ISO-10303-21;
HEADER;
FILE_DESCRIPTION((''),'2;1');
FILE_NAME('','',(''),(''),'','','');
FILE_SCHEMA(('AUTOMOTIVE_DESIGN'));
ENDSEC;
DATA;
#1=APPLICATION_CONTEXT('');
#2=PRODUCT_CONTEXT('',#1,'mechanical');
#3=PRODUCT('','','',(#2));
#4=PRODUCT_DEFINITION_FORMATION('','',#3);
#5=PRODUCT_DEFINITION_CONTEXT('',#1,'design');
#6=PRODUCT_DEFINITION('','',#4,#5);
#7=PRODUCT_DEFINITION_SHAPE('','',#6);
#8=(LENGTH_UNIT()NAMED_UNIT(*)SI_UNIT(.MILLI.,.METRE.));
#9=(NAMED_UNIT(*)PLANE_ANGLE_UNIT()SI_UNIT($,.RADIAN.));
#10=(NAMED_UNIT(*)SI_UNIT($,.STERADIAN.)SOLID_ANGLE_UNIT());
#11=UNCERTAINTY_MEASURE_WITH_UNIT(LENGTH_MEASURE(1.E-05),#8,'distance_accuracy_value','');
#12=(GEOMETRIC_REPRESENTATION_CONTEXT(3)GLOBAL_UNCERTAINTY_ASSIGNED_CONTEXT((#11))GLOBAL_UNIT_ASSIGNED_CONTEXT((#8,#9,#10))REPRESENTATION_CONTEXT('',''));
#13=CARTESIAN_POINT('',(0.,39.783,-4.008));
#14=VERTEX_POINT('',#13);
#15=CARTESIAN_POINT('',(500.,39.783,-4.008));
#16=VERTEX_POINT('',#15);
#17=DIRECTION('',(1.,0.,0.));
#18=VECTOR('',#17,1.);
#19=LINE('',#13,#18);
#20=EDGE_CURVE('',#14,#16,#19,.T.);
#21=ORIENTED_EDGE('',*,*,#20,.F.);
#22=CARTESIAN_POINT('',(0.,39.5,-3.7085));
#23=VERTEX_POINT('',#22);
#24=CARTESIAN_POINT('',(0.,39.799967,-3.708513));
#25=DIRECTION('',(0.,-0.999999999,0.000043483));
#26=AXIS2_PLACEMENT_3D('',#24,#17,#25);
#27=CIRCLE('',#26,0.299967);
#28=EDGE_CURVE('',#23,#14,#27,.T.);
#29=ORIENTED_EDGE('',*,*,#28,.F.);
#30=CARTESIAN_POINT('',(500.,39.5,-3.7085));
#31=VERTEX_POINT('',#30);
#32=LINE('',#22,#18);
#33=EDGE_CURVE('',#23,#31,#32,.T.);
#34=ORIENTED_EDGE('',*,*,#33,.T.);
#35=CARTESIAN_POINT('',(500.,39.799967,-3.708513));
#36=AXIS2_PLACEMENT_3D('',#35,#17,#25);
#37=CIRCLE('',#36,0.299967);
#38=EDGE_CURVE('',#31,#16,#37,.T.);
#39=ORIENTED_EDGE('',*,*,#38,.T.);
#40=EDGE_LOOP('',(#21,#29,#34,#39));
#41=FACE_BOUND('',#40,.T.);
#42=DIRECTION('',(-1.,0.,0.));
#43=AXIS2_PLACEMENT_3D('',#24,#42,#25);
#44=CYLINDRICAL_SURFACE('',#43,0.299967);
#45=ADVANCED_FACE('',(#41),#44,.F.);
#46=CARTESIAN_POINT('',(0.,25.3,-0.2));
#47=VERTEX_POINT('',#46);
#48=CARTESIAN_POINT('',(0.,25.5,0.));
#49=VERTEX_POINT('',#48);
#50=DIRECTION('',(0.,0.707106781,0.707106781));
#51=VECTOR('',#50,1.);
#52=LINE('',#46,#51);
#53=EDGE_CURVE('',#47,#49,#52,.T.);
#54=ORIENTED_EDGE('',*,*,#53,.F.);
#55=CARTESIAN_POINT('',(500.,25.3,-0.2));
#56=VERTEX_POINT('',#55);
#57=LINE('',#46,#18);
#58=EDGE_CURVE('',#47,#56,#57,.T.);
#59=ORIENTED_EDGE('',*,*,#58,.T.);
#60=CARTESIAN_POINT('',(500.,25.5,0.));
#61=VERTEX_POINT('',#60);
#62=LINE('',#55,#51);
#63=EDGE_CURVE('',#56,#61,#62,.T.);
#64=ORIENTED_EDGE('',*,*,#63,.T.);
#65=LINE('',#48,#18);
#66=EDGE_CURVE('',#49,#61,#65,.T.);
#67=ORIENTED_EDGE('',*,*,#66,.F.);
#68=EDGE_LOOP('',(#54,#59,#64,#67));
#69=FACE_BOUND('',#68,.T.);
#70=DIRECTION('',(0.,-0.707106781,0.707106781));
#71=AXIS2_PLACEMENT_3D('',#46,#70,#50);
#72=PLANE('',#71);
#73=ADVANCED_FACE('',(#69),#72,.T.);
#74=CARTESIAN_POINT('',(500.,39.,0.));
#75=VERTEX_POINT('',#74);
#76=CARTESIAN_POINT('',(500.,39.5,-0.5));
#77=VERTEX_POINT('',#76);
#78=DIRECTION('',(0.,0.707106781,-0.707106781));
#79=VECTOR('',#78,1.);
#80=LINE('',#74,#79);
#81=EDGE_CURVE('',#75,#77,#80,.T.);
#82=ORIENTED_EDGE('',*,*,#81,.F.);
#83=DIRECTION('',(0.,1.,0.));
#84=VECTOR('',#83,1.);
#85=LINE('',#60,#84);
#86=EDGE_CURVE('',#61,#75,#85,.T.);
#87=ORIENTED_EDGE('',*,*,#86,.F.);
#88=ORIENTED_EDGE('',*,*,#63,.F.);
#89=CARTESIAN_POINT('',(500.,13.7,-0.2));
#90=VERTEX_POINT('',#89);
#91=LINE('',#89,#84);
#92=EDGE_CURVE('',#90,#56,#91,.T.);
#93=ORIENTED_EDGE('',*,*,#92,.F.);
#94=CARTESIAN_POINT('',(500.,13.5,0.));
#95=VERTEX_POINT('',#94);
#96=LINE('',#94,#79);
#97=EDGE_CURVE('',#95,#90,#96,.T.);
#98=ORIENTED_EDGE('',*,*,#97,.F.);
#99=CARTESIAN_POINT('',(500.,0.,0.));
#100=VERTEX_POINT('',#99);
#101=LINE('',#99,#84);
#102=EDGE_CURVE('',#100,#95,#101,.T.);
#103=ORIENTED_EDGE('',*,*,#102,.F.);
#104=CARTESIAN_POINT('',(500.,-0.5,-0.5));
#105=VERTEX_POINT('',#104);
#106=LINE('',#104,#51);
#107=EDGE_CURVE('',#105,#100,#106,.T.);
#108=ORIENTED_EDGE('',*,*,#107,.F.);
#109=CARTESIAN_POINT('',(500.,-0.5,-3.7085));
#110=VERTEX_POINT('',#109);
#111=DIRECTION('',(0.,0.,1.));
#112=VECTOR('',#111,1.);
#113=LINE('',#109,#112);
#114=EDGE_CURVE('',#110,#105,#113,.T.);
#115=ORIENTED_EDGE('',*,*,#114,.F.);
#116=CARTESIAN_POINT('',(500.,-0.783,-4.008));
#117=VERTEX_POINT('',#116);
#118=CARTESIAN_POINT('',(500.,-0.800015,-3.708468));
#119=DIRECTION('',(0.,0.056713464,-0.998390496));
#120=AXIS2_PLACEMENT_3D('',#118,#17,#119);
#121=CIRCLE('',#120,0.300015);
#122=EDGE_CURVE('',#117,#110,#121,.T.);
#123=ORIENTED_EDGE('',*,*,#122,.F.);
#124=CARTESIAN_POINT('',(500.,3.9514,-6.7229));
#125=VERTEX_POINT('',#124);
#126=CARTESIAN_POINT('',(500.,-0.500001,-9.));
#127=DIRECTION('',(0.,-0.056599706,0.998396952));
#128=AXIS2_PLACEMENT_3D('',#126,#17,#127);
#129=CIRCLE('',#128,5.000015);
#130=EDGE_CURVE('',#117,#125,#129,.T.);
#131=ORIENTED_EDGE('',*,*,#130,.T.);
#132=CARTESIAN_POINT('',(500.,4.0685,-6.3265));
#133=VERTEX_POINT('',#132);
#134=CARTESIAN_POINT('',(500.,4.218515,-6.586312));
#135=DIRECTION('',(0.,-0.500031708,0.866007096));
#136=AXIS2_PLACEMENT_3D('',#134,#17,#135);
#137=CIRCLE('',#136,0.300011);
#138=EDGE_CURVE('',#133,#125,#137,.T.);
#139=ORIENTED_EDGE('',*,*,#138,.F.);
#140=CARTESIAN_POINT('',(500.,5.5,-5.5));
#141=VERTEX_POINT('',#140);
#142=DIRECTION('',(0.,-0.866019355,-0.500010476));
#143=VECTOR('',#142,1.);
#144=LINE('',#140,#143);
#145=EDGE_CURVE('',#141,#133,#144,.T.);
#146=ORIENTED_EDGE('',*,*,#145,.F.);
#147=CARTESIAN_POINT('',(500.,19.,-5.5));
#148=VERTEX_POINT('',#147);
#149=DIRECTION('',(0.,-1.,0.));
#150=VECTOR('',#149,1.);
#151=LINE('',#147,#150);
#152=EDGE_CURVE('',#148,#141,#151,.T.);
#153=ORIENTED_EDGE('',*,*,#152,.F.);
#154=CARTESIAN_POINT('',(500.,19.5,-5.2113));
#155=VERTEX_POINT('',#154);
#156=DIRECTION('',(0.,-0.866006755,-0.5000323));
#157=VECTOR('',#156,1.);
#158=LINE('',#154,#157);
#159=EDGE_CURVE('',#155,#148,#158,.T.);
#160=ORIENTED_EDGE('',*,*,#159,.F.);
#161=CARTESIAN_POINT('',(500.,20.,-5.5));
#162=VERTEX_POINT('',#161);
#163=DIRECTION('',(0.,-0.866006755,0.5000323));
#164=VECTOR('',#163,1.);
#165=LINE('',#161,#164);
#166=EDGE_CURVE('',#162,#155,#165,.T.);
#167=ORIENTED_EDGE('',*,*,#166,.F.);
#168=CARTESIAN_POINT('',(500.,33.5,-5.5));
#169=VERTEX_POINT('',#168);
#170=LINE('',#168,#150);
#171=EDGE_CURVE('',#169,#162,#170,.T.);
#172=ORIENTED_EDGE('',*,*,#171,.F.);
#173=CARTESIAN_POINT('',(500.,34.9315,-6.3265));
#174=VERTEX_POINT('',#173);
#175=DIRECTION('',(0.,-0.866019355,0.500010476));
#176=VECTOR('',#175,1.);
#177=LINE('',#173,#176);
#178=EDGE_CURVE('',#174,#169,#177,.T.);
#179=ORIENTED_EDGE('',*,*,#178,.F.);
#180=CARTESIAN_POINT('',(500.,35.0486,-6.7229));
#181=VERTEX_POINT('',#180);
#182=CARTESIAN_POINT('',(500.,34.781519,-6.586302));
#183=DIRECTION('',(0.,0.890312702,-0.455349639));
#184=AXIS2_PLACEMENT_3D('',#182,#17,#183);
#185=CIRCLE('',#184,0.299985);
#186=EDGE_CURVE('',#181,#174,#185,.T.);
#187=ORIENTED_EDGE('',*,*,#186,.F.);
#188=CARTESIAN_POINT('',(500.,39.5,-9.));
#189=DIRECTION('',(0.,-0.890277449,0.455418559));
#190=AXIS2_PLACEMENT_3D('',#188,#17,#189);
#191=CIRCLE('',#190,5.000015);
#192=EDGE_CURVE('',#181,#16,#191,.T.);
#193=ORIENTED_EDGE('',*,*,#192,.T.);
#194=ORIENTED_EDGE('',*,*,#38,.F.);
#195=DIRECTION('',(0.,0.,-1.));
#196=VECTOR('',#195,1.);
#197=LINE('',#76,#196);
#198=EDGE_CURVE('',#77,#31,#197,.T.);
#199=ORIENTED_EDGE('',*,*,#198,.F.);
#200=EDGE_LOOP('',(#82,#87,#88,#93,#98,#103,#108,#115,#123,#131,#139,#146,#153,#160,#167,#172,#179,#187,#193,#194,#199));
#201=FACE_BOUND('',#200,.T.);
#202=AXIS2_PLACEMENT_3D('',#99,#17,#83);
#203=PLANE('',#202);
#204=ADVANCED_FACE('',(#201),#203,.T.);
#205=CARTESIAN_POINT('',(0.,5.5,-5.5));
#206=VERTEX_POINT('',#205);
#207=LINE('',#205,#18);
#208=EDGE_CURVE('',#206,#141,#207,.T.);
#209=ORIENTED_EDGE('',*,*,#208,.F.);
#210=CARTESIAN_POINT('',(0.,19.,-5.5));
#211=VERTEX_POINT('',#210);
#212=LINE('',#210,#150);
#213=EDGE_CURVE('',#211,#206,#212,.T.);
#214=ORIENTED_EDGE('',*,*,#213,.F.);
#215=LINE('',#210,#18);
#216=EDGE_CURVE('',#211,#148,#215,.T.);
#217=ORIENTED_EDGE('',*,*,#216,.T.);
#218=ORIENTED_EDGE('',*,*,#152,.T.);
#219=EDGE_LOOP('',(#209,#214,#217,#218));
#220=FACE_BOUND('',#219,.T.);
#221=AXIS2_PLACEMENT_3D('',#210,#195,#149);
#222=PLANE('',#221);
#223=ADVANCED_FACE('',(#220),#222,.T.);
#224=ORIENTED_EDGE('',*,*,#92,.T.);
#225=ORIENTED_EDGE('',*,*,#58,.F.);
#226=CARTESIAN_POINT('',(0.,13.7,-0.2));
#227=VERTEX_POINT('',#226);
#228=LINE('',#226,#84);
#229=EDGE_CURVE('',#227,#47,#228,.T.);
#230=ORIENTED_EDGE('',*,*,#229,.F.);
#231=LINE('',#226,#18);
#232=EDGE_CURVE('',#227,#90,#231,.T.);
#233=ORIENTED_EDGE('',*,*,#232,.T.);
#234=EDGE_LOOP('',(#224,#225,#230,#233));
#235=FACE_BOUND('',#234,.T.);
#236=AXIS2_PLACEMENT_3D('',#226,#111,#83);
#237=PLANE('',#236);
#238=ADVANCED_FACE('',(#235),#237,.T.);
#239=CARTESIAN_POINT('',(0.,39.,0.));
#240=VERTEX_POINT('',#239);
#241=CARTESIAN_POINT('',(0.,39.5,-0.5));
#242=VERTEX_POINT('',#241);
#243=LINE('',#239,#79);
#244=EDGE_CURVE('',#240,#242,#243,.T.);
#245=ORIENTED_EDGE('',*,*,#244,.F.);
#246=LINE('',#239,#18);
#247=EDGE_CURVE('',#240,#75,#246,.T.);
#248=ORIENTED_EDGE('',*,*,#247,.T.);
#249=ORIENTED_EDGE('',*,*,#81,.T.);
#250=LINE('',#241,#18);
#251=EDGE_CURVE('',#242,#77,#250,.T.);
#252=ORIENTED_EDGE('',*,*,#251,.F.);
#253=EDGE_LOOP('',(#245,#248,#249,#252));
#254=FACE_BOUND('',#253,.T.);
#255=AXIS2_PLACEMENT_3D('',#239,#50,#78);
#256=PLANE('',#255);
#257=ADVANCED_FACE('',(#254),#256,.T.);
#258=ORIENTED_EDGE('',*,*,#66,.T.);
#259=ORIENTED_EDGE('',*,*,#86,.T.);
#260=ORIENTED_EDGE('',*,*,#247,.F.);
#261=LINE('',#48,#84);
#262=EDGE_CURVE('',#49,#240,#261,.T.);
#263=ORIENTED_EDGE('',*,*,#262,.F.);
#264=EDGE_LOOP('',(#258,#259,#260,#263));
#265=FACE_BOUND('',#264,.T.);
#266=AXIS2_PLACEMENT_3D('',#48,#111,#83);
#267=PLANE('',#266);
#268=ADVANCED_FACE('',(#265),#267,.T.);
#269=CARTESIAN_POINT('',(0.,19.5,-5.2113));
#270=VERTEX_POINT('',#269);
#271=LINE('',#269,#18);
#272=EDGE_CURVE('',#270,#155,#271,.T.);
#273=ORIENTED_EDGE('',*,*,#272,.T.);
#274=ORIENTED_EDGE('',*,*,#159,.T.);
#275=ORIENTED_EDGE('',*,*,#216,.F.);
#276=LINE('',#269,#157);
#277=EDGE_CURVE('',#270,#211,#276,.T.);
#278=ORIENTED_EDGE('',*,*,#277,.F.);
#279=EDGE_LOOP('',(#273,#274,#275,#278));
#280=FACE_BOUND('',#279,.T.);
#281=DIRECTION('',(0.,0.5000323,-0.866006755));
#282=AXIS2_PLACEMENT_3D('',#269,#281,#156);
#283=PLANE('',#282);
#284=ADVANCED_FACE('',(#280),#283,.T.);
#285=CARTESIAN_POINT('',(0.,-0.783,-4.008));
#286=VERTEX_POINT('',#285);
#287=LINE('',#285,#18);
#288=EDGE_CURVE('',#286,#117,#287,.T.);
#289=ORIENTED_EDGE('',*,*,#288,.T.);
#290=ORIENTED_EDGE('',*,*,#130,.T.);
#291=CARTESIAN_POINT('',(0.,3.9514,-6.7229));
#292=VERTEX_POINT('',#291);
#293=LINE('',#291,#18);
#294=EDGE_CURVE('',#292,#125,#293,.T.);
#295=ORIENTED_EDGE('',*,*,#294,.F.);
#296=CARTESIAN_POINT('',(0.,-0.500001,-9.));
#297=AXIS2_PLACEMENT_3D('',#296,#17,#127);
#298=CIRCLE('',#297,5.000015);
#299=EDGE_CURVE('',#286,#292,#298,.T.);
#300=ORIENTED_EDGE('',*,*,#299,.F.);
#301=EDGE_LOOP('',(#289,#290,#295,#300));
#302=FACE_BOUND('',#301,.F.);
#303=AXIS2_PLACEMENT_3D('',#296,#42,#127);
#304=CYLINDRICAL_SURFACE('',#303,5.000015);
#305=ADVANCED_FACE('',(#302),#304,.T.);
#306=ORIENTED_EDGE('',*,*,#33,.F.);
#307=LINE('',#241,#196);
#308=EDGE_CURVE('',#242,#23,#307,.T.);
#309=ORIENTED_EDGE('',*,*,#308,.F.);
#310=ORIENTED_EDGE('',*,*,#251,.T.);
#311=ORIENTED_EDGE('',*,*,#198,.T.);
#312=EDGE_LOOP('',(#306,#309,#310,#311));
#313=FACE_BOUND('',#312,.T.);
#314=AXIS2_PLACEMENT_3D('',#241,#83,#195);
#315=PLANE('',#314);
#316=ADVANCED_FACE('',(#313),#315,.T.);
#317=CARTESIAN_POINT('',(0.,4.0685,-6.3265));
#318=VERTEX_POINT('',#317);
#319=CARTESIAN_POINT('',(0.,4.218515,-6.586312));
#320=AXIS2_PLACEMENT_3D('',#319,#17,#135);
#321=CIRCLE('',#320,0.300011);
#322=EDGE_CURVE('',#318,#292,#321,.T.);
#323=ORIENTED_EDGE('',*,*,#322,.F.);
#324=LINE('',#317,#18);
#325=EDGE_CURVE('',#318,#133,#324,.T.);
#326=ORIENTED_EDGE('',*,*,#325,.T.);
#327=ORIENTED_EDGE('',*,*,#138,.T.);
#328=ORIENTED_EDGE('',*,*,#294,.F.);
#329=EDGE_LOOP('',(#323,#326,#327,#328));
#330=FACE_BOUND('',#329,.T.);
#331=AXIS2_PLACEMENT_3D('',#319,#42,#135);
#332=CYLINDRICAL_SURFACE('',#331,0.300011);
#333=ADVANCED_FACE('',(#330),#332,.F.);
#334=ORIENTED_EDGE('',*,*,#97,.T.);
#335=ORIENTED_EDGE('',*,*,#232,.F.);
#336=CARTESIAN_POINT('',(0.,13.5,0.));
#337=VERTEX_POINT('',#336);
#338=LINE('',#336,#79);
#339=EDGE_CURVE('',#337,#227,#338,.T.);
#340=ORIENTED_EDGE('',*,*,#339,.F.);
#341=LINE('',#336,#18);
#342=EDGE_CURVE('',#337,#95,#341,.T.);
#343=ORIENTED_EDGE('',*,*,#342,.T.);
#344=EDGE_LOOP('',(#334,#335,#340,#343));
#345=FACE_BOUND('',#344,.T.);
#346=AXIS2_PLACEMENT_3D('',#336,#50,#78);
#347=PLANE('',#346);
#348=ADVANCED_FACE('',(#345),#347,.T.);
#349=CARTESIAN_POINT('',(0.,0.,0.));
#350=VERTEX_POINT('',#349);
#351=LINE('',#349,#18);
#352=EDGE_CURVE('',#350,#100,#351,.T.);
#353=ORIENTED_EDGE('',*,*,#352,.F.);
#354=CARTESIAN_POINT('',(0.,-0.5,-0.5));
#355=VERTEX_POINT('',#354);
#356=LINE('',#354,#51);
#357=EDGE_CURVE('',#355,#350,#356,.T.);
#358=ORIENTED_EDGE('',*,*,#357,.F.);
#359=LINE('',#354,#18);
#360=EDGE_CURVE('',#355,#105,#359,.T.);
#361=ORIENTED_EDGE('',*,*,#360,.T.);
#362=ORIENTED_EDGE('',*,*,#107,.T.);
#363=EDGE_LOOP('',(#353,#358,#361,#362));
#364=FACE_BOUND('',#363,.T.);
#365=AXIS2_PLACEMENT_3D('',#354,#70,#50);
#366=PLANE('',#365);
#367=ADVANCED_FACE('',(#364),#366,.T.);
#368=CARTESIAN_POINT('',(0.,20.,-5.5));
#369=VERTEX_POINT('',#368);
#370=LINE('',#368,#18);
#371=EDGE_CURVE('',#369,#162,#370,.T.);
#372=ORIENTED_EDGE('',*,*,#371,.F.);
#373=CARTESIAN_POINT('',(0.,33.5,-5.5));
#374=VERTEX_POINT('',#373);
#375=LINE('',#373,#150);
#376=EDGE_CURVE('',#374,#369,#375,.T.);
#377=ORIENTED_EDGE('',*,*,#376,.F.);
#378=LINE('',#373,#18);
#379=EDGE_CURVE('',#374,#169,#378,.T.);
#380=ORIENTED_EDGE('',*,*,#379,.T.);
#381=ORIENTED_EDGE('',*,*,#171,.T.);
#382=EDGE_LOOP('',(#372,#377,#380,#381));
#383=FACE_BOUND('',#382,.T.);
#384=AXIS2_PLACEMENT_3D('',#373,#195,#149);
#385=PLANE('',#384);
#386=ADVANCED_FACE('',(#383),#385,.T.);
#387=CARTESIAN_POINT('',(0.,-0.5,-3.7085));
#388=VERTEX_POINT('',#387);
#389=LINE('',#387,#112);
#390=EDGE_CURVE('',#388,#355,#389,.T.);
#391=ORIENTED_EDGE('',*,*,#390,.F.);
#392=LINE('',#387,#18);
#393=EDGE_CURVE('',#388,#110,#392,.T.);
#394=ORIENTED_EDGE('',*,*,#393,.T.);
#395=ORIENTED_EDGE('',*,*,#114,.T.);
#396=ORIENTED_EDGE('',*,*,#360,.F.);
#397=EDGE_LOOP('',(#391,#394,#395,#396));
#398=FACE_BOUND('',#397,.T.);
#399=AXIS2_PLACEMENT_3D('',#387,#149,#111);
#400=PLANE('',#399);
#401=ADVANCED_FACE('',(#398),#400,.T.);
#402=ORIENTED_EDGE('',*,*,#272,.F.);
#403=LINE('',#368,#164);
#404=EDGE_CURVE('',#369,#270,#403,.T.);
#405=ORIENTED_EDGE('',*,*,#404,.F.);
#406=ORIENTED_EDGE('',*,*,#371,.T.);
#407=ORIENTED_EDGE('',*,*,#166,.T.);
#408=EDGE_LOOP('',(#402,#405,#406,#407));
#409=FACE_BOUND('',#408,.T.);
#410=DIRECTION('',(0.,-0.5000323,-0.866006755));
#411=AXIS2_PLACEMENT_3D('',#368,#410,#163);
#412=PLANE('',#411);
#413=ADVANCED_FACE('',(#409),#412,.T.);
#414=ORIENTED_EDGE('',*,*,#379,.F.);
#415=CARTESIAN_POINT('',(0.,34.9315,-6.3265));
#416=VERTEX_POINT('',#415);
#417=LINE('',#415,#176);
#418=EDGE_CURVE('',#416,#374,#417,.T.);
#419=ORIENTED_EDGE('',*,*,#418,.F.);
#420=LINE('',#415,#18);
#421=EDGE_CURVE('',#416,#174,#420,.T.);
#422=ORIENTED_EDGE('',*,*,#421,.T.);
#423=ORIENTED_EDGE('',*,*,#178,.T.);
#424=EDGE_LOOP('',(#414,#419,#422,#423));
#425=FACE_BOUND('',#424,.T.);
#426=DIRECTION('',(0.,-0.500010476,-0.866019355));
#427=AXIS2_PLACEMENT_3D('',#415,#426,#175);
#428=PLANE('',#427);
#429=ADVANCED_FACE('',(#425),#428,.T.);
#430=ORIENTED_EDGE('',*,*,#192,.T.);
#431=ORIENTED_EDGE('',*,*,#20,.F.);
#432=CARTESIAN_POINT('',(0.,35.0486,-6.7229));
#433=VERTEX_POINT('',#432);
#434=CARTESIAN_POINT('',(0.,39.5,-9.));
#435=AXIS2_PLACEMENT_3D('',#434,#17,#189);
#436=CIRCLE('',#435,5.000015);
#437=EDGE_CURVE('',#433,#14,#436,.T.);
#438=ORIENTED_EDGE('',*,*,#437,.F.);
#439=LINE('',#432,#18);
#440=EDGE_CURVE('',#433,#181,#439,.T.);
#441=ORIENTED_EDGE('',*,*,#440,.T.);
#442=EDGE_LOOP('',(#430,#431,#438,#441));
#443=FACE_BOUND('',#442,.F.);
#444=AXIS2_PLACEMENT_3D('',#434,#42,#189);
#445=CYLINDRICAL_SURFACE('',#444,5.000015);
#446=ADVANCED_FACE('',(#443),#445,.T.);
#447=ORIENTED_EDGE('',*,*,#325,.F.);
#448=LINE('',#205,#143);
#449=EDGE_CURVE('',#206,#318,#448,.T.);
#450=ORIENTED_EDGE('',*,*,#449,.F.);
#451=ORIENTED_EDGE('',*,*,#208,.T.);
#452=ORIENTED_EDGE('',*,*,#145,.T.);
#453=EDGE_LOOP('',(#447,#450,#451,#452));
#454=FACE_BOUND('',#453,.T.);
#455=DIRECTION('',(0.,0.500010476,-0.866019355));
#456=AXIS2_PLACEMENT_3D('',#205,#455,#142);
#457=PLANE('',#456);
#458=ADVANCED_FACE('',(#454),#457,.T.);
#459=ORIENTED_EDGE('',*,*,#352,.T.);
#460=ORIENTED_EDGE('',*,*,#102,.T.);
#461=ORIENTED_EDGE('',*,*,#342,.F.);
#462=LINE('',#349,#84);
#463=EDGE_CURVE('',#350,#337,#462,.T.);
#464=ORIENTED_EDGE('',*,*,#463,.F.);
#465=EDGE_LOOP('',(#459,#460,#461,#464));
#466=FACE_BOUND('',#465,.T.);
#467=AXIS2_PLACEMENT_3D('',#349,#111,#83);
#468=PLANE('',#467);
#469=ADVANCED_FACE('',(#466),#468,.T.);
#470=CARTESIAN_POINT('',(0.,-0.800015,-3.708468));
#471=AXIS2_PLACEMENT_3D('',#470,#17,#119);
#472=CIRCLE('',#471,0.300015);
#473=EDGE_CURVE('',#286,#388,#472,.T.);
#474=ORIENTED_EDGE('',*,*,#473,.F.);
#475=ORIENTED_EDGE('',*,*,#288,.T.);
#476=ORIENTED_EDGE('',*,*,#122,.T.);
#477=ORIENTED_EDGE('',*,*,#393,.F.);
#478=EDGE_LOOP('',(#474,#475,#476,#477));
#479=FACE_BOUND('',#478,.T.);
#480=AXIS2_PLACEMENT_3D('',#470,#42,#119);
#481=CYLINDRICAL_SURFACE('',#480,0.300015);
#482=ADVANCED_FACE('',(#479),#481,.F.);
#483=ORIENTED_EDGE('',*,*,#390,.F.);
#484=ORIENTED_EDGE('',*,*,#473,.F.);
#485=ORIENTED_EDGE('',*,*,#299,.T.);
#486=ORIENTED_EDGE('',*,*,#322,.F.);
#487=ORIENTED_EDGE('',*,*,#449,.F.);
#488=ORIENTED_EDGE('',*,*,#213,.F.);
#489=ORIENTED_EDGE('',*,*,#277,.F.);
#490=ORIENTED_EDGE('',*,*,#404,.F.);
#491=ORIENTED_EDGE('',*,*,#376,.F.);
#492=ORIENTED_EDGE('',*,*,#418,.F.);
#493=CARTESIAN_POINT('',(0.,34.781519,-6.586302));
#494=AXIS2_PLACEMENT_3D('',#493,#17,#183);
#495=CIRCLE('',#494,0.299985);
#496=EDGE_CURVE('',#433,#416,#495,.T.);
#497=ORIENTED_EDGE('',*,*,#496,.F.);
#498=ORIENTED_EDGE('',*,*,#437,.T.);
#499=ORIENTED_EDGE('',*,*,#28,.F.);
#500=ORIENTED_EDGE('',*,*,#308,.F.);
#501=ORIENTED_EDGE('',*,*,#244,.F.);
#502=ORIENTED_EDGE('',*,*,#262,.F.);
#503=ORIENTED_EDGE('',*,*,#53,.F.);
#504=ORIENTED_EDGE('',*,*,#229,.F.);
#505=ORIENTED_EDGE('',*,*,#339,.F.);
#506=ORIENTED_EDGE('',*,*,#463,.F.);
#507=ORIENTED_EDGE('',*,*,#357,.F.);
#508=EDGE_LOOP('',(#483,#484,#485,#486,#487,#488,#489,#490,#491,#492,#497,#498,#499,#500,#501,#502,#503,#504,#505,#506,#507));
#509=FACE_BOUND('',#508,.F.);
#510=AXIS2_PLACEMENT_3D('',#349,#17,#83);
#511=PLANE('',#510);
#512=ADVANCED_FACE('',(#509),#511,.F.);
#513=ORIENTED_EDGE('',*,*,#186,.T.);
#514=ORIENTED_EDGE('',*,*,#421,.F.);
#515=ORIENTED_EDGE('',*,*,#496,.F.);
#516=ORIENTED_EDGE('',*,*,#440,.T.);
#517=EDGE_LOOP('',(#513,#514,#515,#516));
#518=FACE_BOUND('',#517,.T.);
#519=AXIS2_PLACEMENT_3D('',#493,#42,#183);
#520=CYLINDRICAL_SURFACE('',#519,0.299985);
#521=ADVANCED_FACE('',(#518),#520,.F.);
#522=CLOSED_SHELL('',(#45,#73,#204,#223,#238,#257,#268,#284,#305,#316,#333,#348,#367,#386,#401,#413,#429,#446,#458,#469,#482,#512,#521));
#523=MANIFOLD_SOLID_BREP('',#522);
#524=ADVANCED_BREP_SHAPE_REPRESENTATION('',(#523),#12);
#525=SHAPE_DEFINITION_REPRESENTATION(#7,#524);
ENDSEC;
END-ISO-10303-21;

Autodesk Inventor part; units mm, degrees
ref_plane "YZ Plane" through (0, 0, 0) normal (1, 0, 0) x (0, 1, 0)
ref_plane "XZ Plane" through (0, 0, 0) normal (0, 1, 0) x (-1, 0, 0)
ref_plane "XY Plane" through (0, 0, 0) normal (0, 0, 1) x (1, 0, 0)
sketch "Szkic1" plane through (0, 0, 0) normal (1, 0, 0) x (0, 1, 0)
  line L0 (13.7, -0.2) -> (25.3, -0.2)
  line L1 (13.5, 0) -> (13.7, -0.2)
  line L2 (0, 0) -> (13.5, 0)
  line L3 (-0.5, -0.5) -> (0, 0)
  line L4 (-0.5, -3.7085) -> (-0.5, -0.5)
  arc A0 (-0.783, -4.008) -> (-0.5, -3.7085) centre (-0.8, -3.7085) ccw
  arc A1 (-0.783, -4.008) -> (3.9514, -6.7229) centre (-0.5, -9) ccw
  arc A2 (4.0685, -6.3265) -> (3.9514, -6.7229) centre (4.2185, -6.5863) ccw
  line L5 (5.5, -5.5) -> (4.0685, -6.3265)
  line L6 (19, -5.5) -> (5.5, -5.5)
  line L7 (19.5, -5.2113) -> (19, -5.5)
  line L8 (20, -5.5) -> (19.5, -5.2113)
  line L9 (33.5, -5.5) -> (20, -5.5)
  line L10 (34.9315, -6.3265) -> (33.5, -5.5)
  arc A3 (35.0486, -6.7229) -> (34.9315, -6.3265) centre (34.7815, -6.5863) ccw
  arc A4 (35.0486, -6.7229) -> (39.783, -4.008) centre (39.5, -9) ccw
  arc A5 (39.5, -3.7085) -> (39.783, -4.008) centre (39.8, -3.7085) ccw
  line L11 (39.5, -0.5) -> (39.5, -3.7085)
  line L12 (39, 0) -> (39.5, -0.5)
  line L13 (25.5, 0) -> (39, 0)
  line L14 (25.3, -0.2) -> (25.5, 0)
  point P0 (19.5, 0)
extrude "Wyciągnięcie proste1" add sketch "Szkic1" along normal blind 500
properties part number "WS_10_40_Z" material "Stal nierdzewna"
